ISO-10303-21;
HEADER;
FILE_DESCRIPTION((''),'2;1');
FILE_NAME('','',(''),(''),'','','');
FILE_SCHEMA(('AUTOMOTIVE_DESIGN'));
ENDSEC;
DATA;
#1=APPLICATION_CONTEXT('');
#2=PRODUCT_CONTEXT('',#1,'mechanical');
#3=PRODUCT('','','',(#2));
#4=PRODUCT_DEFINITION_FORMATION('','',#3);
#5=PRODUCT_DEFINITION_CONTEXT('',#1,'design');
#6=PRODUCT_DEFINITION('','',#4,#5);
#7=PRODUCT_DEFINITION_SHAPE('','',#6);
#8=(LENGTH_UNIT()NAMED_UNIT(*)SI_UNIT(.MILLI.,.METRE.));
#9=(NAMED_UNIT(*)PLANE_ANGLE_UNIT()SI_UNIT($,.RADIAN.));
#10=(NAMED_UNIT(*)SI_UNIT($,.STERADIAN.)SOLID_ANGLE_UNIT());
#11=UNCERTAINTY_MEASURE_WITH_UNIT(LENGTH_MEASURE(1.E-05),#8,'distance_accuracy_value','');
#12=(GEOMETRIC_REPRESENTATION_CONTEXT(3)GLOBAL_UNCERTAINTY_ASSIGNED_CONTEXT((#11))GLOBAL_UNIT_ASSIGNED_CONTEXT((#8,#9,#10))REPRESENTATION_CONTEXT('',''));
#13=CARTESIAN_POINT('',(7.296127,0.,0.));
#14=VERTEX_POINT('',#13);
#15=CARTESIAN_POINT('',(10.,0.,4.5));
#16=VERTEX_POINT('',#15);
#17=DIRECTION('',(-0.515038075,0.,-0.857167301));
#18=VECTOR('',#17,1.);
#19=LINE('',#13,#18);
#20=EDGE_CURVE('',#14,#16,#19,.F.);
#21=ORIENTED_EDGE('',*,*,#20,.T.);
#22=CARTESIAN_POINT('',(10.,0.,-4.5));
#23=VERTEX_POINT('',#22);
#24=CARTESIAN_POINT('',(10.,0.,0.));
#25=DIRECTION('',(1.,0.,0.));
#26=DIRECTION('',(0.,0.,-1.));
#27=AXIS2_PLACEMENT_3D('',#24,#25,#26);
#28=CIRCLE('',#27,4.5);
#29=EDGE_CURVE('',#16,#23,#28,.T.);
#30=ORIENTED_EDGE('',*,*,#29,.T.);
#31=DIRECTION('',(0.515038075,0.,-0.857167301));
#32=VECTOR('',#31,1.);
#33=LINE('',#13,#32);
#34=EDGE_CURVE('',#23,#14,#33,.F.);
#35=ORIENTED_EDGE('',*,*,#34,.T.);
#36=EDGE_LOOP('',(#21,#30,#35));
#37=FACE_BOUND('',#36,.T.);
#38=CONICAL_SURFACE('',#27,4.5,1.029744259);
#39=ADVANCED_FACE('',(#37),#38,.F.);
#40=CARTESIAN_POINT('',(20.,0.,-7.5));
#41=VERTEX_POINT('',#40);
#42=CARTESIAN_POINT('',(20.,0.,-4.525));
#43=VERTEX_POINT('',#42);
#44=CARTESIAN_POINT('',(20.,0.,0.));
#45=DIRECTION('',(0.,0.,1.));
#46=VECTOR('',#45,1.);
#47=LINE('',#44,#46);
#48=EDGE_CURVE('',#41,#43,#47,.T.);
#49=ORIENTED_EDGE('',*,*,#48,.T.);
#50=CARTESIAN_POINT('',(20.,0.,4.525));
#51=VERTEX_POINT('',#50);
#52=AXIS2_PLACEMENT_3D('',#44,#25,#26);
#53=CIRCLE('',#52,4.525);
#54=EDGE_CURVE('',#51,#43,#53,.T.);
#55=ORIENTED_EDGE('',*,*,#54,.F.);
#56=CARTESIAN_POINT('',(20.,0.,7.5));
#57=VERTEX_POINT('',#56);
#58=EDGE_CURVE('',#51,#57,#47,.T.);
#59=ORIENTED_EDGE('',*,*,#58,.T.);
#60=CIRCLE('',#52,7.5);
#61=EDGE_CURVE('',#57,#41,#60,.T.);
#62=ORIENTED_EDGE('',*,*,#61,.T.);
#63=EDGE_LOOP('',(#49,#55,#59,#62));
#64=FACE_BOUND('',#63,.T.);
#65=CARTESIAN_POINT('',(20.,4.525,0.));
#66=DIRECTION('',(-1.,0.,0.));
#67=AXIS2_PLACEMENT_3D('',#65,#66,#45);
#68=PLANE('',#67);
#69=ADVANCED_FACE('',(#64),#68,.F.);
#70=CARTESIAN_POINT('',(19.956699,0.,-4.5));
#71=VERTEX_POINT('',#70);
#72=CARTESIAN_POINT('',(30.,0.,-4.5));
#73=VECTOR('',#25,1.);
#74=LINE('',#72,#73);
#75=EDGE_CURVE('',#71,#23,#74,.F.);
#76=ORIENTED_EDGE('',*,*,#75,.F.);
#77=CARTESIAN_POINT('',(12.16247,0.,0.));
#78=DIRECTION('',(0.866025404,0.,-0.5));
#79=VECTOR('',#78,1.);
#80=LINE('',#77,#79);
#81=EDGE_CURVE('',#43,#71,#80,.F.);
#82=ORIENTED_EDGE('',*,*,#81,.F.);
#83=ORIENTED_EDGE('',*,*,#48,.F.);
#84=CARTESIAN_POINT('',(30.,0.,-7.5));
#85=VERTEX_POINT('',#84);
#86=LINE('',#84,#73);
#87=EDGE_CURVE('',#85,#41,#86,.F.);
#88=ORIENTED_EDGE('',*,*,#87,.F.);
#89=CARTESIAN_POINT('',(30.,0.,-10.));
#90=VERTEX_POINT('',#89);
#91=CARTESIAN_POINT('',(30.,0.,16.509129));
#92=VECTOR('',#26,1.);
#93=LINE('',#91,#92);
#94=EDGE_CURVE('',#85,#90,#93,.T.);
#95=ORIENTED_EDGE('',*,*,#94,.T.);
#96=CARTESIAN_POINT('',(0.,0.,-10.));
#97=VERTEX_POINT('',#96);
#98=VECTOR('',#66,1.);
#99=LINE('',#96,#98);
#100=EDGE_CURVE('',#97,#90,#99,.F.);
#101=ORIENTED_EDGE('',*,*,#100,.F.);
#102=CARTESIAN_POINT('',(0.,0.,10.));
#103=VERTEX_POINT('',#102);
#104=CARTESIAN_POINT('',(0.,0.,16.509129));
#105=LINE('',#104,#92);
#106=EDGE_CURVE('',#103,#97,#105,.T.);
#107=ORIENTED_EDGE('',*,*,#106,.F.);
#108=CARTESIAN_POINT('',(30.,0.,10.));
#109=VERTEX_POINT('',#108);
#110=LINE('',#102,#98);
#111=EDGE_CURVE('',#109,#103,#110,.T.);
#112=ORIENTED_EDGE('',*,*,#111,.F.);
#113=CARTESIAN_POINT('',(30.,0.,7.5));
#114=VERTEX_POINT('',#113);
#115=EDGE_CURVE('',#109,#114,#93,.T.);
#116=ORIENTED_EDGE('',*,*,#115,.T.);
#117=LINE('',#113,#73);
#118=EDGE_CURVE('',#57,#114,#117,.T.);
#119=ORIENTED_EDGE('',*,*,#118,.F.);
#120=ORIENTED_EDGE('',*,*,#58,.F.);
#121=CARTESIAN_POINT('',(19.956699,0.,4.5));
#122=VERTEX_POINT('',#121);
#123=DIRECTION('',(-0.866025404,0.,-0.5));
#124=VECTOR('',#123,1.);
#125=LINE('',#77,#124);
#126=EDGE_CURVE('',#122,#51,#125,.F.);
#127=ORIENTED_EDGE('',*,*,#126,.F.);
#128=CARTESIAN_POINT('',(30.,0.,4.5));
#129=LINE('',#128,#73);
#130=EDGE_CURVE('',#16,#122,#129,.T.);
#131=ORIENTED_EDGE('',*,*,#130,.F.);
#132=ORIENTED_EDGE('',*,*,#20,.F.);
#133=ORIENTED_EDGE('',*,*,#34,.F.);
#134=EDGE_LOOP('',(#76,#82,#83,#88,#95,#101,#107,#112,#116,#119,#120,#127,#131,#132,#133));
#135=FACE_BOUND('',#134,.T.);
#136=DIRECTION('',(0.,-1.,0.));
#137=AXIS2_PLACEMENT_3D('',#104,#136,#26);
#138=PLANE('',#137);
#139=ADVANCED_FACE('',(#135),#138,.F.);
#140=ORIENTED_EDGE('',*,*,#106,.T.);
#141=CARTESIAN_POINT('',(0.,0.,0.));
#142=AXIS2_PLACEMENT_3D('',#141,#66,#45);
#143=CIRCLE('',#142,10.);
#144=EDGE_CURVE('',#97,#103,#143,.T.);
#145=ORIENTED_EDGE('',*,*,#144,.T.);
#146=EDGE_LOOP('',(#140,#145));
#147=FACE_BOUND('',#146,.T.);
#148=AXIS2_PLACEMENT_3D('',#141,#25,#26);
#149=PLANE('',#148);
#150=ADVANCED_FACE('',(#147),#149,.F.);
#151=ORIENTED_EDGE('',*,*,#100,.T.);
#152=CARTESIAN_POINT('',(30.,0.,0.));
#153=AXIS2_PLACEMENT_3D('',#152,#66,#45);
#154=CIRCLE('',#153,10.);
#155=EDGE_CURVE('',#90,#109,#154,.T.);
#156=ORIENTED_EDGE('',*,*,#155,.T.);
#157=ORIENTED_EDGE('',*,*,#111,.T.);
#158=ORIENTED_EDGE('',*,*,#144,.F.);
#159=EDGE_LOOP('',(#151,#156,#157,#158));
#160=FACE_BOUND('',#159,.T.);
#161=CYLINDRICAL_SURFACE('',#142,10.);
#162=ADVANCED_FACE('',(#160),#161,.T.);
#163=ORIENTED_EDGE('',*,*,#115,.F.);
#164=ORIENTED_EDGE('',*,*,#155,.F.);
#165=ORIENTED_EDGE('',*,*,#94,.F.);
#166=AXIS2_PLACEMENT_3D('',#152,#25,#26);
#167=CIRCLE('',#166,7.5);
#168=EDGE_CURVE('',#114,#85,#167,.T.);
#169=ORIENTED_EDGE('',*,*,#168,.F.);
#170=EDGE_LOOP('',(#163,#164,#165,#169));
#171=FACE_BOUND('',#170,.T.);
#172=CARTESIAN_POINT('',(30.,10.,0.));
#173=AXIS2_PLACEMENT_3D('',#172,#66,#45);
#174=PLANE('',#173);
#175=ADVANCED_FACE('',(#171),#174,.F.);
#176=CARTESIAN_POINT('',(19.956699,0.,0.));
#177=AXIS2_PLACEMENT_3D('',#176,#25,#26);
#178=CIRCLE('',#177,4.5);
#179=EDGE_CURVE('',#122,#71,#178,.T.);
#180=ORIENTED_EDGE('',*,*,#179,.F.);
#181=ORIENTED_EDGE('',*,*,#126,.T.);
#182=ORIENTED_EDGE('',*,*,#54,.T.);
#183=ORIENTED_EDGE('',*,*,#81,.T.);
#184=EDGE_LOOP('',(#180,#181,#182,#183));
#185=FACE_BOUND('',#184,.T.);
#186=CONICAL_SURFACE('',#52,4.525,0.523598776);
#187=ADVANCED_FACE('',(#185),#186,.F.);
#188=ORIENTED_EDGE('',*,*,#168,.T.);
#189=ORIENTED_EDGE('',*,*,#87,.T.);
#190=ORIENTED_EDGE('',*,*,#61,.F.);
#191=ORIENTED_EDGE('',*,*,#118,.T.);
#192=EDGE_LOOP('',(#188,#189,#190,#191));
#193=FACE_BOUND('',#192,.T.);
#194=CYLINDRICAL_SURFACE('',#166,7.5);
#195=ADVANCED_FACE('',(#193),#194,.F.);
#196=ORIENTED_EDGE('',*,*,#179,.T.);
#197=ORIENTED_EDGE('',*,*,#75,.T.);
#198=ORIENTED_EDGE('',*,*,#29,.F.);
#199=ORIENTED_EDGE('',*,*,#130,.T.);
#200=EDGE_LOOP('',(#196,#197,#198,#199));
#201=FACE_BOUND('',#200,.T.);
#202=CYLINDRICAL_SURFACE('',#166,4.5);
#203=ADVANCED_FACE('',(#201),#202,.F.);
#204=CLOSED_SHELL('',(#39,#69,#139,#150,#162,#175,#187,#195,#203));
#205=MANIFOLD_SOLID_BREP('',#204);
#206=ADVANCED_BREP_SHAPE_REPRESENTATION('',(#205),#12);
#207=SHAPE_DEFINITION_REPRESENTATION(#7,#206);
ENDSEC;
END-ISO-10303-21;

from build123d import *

# Parameters (mm, degrees)
ESQUISSE1_W             = 30
ESQUISSE1_H             = 10
ESQUISSE3_W             = 32
ESQUISSE3_H             = 12
ENL_V_MAT_EXTRU_1_DEPTH = 34.166247904


with BuildPart() as part:
    # Esquisse1 → Révolution2 (revolve)
    with BuildSketch(Plane.XY, mode=Mode.PRIVATE) as r_volution2_sk:
        with Locations((15, 5)):
            Rectangle(ESQUISSE1_W, ESQUISSE1_H)
    revolve(r_volution2_sk.sketch.rotate(Axis((0, 0, 0), (1, 0, 0)), 90), axis=Axis((0, 0, 0), (1, 0, 0)))

    # Esquisse2 → Chambrage pour vis à tête hexagonale M81 (revolve, cut)
    with BuildSketch(Plane(origin=(30, 0, 0), x_dir=(0, 0, -1), z_dir=(0, 1, 0))):
        Polygon((0, 0), (0, 22.703872786), (4.5, 20), (4.5, 10.04330127), (4.525, 10), (7.5, 10), (7.5, 0), align=None)
    revolve(axis=Axis((36.35, 0, 0), (-1, 0, 0)), mode=Mode.SUBTRACT)

    # Esquisse3 → Enlèv. mat.-Extru.1 (cut, through all)
    with BuildSketch(Plane(origin=(30, 0, 0), x_dir=(0, 0, -1), z_dir=(1, 0, 0))):
        with Locations((-0.50912904, 6)):
            Rectangle(ESQUISSE3_W, ESQUISSE3_H)
    extrude(amount=-ENL_V_MAT_EXTRU_1_DEPTH, mode=Mode.SUBTRACT)


solid = part.part
